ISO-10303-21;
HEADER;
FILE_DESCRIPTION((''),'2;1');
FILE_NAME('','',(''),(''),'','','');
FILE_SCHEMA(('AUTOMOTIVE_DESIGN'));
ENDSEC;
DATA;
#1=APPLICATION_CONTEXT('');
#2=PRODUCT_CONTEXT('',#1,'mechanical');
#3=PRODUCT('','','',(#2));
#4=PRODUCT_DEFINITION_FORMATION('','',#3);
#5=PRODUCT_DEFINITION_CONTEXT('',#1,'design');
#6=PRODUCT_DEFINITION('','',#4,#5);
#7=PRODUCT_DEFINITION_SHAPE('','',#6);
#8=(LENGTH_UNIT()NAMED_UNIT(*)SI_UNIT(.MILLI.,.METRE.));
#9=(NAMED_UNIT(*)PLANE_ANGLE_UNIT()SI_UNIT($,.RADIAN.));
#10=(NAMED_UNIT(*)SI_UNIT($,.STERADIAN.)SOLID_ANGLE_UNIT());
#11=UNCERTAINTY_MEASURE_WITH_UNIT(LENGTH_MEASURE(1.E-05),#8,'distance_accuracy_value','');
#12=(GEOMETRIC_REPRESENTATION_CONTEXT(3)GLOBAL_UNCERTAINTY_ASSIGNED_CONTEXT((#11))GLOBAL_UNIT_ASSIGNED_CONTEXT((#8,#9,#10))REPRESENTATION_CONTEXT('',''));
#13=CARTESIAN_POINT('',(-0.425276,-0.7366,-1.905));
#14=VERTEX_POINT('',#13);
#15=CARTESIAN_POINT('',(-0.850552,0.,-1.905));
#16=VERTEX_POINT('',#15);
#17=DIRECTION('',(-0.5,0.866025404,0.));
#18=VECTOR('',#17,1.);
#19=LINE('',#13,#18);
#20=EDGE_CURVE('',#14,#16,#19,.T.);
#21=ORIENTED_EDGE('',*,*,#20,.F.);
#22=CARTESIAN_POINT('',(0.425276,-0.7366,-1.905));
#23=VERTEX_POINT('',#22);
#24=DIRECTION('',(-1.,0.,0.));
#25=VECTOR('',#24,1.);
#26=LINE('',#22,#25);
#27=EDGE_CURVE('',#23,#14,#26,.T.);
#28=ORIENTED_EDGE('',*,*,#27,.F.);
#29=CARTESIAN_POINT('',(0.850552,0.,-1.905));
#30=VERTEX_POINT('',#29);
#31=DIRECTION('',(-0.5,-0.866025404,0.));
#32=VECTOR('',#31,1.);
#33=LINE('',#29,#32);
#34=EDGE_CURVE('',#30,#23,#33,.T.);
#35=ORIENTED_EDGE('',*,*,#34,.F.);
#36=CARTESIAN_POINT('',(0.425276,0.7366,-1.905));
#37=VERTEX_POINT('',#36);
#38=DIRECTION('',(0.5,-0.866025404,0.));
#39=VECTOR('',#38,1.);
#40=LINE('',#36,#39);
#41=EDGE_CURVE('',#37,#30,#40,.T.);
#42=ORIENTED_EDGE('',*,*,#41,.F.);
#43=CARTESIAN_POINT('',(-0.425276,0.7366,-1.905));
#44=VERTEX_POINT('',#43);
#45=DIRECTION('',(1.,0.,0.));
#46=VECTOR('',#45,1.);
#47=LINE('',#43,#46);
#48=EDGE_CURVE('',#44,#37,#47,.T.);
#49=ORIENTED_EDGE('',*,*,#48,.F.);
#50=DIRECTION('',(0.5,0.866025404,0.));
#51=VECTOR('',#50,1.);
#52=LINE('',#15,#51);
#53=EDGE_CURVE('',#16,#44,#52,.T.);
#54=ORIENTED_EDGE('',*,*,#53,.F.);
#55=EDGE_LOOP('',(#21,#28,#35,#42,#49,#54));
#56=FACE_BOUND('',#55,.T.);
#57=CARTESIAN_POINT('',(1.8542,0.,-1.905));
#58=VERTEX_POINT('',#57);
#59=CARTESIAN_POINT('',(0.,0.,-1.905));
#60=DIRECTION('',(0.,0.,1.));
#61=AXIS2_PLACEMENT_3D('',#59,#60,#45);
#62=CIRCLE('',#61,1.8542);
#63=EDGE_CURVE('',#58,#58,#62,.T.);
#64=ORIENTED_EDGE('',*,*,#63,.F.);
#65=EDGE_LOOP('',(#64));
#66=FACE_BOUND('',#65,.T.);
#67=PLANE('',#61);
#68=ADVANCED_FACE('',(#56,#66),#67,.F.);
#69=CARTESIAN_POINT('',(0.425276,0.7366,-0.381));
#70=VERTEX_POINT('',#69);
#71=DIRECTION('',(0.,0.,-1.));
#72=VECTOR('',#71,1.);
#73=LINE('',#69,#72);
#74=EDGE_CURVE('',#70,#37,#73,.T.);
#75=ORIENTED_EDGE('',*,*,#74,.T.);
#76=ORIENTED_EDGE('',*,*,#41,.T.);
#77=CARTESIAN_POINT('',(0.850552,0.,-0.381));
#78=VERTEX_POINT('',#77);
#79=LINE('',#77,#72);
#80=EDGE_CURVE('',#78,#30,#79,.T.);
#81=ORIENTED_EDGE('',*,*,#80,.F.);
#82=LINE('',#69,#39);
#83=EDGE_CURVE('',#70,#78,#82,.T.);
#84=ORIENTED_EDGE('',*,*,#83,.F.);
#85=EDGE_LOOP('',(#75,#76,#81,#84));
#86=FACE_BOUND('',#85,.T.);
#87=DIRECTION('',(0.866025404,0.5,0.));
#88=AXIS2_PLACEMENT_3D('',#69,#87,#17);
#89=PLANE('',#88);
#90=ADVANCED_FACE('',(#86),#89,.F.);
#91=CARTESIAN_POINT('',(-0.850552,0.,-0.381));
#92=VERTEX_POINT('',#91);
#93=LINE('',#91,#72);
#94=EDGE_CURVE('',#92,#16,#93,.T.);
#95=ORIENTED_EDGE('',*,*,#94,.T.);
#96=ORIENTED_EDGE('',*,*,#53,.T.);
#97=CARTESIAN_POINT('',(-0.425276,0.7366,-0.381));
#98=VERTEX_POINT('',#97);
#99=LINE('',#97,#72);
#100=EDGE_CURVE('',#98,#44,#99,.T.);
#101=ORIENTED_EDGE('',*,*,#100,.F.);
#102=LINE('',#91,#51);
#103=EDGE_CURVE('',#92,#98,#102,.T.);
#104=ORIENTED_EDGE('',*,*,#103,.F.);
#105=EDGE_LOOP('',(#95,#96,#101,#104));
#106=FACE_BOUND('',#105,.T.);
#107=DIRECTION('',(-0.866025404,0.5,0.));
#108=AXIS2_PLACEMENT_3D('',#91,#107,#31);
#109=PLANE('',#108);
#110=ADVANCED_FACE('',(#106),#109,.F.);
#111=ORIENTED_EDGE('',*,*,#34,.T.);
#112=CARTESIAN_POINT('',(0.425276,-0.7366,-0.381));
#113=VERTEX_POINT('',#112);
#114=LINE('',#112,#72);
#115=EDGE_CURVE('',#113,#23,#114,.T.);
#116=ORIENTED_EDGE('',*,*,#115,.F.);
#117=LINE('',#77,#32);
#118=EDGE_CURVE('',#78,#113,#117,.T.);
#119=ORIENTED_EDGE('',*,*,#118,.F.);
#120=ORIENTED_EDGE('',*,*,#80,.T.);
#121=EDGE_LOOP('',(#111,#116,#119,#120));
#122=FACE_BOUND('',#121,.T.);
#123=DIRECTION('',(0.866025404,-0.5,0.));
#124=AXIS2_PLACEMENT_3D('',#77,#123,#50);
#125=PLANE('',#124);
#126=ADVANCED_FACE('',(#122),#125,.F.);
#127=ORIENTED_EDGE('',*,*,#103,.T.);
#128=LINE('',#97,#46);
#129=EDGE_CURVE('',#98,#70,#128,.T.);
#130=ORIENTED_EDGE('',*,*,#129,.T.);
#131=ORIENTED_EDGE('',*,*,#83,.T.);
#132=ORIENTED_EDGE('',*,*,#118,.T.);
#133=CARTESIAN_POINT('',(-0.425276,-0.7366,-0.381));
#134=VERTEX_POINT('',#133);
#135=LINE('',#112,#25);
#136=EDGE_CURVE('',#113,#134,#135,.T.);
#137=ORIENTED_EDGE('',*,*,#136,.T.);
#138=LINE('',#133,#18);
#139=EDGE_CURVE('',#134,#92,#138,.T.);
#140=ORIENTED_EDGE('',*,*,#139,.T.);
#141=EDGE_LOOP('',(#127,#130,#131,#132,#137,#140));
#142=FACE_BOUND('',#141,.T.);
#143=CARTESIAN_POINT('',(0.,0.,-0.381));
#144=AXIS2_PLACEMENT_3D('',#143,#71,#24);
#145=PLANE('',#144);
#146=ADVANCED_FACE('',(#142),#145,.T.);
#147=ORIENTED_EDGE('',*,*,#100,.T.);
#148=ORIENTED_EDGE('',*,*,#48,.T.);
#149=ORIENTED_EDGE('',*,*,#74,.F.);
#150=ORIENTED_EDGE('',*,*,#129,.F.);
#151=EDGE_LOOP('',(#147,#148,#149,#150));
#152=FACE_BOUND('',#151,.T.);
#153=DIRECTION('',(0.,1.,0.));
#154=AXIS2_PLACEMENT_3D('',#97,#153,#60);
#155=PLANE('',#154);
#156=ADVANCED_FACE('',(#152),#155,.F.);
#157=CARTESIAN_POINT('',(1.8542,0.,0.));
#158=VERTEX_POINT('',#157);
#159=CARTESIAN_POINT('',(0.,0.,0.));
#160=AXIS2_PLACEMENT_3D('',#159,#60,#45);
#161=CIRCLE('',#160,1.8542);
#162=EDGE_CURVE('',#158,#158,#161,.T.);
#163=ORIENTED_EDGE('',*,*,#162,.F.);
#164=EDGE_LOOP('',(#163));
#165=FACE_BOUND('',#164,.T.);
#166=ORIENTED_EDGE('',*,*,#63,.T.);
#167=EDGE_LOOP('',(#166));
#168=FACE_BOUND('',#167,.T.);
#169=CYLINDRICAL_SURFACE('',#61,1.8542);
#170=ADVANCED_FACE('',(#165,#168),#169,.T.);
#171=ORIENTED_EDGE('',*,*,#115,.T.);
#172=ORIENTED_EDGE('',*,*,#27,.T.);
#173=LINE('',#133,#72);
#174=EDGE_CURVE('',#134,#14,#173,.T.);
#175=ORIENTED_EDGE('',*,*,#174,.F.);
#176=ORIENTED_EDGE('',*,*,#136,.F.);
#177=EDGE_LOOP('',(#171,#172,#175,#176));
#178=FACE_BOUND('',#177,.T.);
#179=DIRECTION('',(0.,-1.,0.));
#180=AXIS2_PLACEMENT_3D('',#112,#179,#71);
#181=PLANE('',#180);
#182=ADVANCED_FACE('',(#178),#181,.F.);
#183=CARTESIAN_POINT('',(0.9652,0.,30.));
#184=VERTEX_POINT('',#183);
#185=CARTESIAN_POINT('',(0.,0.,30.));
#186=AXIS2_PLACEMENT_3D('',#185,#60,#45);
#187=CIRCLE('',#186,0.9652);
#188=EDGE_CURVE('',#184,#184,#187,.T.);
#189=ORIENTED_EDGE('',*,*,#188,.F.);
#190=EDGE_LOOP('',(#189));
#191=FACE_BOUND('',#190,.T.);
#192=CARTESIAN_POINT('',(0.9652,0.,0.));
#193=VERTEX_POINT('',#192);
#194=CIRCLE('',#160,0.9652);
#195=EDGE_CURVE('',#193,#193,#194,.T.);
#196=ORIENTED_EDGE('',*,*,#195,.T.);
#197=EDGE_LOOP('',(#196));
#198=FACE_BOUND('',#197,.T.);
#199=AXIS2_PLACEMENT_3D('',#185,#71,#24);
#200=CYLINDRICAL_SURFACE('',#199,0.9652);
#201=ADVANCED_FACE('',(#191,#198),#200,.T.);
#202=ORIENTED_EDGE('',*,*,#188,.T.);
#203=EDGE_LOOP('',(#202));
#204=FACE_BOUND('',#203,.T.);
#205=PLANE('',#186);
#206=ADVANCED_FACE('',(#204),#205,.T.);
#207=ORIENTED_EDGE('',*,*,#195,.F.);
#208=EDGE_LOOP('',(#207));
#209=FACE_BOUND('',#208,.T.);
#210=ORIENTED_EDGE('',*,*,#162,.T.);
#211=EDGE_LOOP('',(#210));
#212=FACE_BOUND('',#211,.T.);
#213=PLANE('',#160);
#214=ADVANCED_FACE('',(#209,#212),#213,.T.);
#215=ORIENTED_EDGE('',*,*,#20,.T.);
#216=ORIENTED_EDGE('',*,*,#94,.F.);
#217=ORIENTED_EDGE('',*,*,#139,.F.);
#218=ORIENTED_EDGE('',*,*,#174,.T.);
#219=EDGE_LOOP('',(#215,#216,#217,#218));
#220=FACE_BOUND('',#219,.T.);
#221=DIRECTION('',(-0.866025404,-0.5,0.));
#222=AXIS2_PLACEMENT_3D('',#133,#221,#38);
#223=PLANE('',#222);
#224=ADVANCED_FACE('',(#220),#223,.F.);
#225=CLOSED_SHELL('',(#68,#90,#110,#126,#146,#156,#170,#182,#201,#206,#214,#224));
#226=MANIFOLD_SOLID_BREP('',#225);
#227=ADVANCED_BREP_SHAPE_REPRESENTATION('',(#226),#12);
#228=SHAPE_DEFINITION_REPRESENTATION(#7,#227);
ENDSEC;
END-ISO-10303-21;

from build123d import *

# Parameters (mm, degrees)
SKETCH1_R           = 0.9652
BOSS_EXTRUDE1_DEPTH = 30
SKETCH2_R           = 1.8542
BOSS_EXTRUDE2_DEPTH = 1.905
CUT_EXTRUDE1_DEPTH  = 1.524


with BuildPart() as part:
    # Sketch1 → Boss-Extrude1 (new body)
    with BuildSketch(Plane.XY):
        Circle(SKETCH1_R)
    extrude(amount=BOSS_EXTRUDE1_DEPTH)

    # Sketch2 → Boss-Extrude2 (add)
    with BuildSketch(Plane.XY):
        Circle(SKETCH2_R)
    extrude(amount=-BOSS_EXTRUDE2_DEPTH)

    # Sketch3 → Cut-Extrude1 (cut)
    with BuildSketch(Plane(origin=(0, 0, -1.905), x_dir=(-1, 0, 0), z_dir=(0, 0, -1))):
        Polygon((0.850552417, 0), (0.425276208, 0.7366), (-0.425276208, 0.7366), (-0.850552417, 0), (-0.425276208, -0.7366), (0.425276208, -0.7366), align=None)
    extrude(amount=-CUT_EXTRUDE1_DEPTH, mode=Mode.SUBTRACT)


solid = part.part
